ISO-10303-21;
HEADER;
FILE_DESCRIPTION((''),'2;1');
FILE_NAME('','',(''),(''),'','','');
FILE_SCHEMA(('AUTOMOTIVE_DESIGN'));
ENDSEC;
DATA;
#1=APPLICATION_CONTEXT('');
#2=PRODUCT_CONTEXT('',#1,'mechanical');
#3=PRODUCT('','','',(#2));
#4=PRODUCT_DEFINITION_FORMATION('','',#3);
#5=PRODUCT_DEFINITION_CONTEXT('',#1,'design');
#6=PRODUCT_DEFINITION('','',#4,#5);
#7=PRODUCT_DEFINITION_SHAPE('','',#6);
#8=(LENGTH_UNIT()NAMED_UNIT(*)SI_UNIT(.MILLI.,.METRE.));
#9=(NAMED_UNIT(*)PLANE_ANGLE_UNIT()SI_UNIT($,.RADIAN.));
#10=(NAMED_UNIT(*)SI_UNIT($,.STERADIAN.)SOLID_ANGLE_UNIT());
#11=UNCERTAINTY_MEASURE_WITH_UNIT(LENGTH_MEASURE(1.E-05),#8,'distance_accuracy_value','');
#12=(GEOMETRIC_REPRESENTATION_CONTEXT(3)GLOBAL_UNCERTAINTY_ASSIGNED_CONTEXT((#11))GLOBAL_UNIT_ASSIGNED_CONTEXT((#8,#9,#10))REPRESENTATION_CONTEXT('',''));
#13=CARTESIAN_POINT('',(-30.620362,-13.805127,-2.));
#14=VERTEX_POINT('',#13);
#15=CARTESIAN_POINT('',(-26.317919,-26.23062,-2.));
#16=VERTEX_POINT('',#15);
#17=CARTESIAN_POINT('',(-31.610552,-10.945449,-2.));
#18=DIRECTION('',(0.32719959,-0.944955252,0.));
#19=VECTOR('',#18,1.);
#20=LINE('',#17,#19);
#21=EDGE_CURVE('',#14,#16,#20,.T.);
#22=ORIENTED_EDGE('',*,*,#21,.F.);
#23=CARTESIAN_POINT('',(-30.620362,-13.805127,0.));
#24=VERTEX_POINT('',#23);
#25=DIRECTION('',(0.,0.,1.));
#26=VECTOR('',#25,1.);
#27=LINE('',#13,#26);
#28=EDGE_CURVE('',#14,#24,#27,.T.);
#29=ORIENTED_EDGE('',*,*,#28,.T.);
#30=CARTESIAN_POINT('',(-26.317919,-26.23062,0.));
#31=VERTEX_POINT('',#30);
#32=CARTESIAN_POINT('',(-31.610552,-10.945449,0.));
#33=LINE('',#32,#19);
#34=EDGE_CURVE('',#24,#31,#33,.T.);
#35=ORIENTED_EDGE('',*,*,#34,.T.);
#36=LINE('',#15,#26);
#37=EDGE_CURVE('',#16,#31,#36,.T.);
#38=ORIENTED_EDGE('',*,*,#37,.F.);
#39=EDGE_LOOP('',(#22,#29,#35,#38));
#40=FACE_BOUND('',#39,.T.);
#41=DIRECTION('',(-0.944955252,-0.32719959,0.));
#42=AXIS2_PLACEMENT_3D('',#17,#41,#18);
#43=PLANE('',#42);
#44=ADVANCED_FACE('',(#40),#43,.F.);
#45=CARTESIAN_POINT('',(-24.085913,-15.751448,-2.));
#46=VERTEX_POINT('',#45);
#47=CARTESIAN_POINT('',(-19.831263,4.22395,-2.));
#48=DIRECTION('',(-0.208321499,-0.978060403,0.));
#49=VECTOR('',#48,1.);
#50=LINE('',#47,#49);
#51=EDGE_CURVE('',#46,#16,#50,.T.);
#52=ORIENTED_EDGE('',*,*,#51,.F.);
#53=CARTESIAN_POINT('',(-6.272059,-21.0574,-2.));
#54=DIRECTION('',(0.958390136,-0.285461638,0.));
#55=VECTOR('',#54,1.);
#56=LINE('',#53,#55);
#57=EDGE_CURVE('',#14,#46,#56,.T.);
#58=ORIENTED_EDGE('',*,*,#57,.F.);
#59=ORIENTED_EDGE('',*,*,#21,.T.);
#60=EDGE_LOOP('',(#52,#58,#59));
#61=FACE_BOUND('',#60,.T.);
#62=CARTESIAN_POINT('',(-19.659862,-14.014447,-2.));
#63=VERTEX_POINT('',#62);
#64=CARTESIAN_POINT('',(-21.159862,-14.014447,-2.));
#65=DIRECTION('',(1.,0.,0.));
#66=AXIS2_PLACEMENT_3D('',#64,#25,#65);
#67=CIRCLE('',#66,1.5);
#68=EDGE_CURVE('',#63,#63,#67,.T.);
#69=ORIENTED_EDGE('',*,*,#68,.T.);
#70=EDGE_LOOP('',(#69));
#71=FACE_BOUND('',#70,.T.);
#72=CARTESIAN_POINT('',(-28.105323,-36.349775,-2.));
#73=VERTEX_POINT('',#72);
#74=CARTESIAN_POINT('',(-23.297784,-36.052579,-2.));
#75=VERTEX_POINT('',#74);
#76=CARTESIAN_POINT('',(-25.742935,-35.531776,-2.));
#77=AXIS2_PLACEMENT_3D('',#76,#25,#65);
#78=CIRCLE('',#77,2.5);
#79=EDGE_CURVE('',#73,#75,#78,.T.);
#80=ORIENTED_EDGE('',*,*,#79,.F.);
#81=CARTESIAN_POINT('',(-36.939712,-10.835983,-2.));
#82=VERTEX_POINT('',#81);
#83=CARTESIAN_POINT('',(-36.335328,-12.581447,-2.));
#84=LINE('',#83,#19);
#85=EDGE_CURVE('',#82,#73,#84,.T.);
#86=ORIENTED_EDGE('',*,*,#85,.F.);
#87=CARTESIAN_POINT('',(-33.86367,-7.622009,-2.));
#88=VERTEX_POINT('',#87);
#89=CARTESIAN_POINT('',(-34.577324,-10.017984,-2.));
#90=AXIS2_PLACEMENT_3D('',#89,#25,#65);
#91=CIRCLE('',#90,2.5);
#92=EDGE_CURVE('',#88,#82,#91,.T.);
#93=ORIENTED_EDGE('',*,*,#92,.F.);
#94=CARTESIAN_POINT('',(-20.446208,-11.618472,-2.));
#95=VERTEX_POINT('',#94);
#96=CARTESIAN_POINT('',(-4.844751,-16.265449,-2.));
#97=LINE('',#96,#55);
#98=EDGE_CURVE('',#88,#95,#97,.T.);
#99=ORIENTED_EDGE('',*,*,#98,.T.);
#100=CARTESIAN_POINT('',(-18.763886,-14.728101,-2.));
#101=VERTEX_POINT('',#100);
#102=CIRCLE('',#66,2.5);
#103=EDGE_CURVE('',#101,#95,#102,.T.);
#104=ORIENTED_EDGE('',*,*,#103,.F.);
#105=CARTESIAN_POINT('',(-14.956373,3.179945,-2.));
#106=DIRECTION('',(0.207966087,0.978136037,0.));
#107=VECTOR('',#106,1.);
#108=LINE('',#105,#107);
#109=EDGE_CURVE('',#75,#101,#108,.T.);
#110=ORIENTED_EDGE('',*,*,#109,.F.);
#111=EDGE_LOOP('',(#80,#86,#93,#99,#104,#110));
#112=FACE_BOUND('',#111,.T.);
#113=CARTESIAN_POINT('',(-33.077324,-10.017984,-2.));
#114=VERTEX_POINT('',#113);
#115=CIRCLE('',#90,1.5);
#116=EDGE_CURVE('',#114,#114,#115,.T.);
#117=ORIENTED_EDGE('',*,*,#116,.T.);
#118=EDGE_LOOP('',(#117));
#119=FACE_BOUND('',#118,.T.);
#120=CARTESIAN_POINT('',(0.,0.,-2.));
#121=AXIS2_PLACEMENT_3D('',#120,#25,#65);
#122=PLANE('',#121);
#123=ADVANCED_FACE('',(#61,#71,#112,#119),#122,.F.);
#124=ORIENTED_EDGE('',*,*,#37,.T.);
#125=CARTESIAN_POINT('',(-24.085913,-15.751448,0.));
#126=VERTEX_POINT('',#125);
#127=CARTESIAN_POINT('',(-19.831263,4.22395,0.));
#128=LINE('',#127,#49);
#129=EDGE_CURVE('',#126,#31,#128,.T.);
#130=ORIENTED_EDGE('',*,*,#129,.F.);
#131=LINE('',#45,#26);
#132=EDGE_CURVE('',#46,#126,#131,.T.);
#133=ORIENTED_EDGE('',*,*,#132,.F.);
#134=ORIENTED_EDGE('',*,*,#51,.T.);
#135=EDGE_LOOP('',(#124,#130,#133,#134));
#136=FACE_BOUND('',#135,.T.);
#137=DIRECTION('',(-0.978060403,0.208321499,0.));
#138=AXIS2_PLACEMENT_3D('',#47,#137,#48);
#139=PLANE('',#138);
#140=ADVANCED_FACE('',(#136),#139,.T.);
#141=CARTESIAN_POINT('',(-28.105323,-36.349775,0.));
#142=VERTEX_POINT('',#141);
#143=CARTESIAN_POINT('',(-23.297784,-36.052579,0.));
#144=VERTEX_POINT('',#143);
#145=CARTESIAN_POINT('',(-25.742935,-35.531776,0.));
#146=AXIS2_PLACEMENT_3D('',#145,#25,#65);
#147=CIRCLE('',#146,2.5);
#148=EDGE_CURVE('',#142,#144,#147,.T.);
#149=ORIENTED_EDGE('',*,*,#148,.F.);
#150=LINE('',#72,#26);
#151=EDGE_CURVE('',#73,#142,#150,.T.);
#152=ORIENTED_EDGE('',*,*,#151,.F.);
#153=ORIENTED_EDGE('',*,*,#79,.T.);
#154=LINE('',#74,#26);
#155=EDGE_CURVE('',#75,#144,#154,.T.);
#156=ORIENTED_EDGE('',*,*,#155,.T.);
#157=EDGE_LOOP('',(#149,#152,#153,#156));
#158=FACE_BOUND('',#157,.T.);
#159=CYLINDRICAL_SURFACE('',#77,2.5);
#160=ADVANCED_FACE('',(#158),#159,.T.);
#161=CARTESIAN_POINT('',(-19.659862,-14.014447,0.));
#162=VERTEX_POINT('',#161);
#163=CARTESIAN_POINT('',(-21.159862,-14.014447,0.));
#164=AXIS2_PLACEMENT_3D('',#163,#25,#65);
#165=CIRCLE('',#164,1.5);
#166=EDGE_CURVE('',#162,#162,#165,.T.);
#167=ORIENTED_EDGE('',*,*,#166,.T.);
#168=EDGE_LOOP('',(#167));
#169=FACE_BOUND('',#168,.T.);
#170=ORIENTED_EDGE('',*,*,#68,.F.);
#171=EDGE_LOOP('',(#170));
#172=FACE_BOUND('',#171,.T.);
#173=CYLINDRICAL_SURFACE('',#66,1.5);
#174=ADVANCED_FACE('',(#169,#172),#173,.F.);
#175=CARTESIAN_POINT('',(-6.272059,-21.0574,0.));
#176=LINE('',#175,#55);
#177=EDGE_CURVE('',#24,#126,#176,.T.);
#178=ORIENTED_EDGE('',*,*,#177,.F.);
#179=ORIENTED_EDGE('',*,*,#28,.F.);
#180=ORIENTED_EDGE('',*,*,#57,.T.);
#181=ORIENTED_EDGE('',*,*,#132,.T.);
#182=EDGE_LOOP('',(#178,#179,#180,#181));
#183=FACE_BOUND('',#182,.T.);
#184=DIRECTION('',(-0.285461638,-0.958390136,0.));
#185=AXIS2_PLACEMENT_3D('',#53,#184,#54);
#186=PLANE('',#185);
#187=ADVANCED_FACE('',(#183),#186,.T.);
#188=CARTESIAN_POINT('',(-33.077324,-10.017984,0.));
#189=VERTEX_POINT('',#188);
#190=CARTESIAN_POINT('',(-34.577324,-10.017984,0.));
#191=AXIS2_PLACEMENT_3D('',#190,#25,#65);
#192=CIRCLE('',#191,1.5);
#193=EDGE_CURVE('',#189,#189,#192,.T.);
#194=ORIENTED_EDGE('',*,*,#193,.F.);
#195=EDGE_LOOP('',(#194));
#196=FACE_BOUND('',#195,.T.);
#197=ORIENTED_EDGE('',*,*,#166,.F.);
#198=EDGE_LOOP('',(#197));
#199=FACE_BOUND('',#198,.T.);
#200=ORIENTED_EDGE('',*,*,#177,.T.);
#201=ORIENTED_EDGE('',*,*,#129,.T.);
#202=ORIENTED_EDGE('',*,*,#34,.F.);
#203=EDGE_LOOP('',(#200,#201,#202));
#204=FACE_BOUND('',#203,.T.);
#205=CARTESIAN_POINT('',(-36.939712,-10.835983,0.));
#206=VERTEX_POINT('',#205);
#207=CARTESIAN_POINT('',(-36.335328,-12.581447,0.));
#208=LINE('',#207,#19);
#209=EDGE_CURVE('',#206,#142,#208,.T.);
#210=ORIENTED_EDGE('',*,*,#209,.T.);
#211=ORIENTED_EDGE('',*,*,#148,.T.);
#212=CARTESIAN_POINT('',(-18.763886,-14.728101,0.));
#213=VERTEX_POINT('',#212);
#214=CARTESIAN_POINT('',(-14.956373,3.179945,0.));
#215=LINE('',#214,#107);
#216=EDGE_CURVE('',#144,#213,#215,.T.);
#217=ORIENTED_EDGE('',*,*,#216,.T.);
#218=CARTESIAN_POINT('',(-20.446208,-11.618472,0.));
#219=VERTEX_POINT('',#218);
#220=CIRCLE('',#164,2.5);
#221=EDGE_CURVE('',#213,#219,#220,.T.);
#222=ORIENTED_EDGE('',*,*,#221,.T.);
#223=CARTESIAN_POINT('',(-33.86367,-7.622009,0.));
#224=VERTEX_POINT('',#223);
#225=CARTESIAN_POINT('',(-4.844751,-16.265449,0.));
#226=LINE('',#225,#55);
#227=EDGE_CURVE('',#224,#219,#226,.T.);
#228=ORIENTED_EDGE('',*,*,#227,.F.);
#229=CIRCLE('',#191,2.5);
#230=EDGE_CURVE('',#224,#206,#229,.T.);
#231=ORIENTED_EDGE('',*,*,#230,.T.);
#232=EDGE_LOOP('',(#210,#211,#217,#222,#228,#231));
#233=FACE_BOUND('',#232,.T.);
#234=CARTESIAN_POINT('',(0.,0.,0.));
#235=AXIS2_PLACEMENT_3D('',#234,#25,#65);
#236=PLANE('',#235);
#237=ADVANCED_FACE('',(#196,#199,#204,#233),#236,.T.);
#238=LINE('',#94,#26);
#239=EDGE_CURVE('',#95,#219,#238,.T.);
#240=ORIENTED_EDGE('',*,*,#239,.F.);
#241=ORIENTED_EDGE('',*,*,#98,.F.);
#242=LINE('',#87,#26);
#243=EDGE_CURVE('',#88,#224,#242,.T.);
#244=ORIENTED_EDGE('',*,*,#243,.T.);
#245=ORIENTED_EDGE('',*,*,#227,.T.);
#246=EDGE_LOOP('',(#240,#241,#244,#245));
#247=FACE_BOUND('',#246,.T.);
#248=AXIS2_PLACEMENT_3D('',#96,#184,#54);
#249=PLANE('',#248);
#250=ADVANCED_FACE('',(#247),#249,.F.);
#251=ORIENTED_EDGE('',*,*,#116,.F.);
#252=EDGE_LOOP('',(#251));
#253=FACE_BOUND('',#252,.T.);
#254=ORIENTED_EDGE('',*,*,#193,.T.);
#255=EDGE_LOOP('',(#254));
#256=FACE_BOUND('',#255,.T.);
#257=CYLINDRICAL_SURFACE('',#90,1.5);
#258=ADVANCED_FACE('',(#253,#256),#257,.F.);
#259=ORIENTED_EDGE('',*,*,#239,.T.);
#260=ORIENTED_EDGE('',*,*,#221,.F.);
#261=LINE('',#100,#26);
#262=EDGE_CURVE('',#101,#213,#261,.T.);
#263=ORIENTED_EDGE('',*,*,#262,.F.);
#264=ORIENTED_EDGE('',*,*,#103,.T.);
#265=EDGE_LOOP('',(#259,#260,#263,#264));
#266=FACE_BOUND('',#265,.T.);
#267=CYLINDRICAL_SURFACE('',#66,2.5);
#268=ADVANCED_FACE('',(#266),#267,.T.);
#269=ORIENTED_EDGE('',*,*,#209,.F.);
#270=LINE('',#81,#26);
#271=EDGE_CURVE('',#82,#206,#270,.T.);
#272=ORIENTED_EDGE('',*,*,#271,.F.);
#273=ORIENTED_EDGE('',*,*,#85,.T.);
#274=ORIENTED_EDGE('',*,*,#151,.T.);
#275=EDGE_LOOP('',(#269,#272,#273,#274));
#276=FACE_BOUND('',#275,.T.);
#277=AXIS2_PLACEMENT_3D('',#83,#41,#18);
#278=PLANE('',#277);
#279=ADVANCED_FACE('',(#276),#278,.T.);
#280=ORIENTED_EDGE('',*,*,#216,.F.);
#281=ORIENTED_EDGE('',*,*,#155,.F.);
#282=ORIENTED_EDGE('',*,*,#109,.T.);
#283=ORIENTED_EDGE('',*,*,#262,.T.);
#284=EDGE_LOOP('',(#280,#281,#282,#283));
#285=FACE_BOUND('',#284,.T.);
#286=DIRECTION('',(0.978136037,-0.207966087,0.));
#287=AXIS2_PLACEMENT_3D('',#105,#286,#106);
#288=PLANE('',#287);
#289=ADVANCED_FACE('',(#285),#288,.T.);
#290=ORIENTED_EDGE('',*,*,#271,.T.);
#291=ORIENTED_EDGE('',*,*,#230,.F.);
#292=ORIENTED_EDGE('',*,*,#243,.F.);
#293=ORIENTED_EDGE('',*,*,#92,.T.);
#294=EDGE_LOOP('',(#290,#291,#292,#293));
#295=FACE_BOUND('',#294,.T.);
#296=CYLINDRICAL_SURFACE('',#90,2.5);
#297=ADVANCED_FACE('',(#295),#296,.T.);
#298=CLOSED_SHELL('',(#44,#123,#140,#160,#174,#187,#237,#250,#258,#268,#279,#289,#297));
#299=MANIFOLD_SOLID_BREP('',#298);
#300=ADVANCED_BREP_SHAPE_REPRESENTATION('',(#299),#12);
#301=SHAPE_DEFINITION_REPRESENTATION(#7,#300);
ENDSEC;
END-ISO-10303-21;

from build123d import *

# Parameters (mm, degrees)
BOSS_EXTRU_1_DEPTH      = 2
ESQUISSE2_R             = 1.5
ENL_V_MAT_EXTRU_1_DEPTH = 2


with BuildPart() as part:
    # Esquisse1 → Boss.-Extru.1 (new body)
    with BuildSketch(Plane.XY):
        with BuildLine():
            Line((-36.939711753, -10.835982903), (-28.105322833, -36.349774711))
            ThreePointArc((-28.105322833, -36.349774711), (-25.588682721, -38.027012465), (-23.297783694, -36.052579486))
            Line((-23.297783694, -36.052579486), (-18.763886374, -14.728100955))
            ThreePointArc((-18.763886374, -14.728100955), (-18.961021654, -12.824866099), (-20.44620762, -11.61847152))
            Line((-20.44620762, -11.61847152), (-33.863669528, -7.622008589))
            ThreePointArc((-33.863669528, -7.622008589), (-36.383421268, -8.289397427), (-36.939711753, -10.835982903))
        make_face()
        Polygon((-24.085912758, -15.751447914), (-26.31791891, -26.23061998), (-30.620361937, -13.805127209), align=None, mode=Mode.SUBTRACT)
    extrude(amount=-BOSS_EXTRU_1_DEPTH)

    # Esquisse2 → Enlèv. mat.-Extru.1 (cut)
    with BuildSketch(Plane.XY):
        with Locations((-34.577323623, -10.017983929)):
            Circle(ESQUISSE2_R)
        with Locations((-21.159861715, -14.01444686)):
            Circle(ESQUISSE2_R)
    extrude(amount=-ENL_V_MAT_EXTRU_1_DEPTH, mode=Mode.SUBTRACT)


solid = part.part
